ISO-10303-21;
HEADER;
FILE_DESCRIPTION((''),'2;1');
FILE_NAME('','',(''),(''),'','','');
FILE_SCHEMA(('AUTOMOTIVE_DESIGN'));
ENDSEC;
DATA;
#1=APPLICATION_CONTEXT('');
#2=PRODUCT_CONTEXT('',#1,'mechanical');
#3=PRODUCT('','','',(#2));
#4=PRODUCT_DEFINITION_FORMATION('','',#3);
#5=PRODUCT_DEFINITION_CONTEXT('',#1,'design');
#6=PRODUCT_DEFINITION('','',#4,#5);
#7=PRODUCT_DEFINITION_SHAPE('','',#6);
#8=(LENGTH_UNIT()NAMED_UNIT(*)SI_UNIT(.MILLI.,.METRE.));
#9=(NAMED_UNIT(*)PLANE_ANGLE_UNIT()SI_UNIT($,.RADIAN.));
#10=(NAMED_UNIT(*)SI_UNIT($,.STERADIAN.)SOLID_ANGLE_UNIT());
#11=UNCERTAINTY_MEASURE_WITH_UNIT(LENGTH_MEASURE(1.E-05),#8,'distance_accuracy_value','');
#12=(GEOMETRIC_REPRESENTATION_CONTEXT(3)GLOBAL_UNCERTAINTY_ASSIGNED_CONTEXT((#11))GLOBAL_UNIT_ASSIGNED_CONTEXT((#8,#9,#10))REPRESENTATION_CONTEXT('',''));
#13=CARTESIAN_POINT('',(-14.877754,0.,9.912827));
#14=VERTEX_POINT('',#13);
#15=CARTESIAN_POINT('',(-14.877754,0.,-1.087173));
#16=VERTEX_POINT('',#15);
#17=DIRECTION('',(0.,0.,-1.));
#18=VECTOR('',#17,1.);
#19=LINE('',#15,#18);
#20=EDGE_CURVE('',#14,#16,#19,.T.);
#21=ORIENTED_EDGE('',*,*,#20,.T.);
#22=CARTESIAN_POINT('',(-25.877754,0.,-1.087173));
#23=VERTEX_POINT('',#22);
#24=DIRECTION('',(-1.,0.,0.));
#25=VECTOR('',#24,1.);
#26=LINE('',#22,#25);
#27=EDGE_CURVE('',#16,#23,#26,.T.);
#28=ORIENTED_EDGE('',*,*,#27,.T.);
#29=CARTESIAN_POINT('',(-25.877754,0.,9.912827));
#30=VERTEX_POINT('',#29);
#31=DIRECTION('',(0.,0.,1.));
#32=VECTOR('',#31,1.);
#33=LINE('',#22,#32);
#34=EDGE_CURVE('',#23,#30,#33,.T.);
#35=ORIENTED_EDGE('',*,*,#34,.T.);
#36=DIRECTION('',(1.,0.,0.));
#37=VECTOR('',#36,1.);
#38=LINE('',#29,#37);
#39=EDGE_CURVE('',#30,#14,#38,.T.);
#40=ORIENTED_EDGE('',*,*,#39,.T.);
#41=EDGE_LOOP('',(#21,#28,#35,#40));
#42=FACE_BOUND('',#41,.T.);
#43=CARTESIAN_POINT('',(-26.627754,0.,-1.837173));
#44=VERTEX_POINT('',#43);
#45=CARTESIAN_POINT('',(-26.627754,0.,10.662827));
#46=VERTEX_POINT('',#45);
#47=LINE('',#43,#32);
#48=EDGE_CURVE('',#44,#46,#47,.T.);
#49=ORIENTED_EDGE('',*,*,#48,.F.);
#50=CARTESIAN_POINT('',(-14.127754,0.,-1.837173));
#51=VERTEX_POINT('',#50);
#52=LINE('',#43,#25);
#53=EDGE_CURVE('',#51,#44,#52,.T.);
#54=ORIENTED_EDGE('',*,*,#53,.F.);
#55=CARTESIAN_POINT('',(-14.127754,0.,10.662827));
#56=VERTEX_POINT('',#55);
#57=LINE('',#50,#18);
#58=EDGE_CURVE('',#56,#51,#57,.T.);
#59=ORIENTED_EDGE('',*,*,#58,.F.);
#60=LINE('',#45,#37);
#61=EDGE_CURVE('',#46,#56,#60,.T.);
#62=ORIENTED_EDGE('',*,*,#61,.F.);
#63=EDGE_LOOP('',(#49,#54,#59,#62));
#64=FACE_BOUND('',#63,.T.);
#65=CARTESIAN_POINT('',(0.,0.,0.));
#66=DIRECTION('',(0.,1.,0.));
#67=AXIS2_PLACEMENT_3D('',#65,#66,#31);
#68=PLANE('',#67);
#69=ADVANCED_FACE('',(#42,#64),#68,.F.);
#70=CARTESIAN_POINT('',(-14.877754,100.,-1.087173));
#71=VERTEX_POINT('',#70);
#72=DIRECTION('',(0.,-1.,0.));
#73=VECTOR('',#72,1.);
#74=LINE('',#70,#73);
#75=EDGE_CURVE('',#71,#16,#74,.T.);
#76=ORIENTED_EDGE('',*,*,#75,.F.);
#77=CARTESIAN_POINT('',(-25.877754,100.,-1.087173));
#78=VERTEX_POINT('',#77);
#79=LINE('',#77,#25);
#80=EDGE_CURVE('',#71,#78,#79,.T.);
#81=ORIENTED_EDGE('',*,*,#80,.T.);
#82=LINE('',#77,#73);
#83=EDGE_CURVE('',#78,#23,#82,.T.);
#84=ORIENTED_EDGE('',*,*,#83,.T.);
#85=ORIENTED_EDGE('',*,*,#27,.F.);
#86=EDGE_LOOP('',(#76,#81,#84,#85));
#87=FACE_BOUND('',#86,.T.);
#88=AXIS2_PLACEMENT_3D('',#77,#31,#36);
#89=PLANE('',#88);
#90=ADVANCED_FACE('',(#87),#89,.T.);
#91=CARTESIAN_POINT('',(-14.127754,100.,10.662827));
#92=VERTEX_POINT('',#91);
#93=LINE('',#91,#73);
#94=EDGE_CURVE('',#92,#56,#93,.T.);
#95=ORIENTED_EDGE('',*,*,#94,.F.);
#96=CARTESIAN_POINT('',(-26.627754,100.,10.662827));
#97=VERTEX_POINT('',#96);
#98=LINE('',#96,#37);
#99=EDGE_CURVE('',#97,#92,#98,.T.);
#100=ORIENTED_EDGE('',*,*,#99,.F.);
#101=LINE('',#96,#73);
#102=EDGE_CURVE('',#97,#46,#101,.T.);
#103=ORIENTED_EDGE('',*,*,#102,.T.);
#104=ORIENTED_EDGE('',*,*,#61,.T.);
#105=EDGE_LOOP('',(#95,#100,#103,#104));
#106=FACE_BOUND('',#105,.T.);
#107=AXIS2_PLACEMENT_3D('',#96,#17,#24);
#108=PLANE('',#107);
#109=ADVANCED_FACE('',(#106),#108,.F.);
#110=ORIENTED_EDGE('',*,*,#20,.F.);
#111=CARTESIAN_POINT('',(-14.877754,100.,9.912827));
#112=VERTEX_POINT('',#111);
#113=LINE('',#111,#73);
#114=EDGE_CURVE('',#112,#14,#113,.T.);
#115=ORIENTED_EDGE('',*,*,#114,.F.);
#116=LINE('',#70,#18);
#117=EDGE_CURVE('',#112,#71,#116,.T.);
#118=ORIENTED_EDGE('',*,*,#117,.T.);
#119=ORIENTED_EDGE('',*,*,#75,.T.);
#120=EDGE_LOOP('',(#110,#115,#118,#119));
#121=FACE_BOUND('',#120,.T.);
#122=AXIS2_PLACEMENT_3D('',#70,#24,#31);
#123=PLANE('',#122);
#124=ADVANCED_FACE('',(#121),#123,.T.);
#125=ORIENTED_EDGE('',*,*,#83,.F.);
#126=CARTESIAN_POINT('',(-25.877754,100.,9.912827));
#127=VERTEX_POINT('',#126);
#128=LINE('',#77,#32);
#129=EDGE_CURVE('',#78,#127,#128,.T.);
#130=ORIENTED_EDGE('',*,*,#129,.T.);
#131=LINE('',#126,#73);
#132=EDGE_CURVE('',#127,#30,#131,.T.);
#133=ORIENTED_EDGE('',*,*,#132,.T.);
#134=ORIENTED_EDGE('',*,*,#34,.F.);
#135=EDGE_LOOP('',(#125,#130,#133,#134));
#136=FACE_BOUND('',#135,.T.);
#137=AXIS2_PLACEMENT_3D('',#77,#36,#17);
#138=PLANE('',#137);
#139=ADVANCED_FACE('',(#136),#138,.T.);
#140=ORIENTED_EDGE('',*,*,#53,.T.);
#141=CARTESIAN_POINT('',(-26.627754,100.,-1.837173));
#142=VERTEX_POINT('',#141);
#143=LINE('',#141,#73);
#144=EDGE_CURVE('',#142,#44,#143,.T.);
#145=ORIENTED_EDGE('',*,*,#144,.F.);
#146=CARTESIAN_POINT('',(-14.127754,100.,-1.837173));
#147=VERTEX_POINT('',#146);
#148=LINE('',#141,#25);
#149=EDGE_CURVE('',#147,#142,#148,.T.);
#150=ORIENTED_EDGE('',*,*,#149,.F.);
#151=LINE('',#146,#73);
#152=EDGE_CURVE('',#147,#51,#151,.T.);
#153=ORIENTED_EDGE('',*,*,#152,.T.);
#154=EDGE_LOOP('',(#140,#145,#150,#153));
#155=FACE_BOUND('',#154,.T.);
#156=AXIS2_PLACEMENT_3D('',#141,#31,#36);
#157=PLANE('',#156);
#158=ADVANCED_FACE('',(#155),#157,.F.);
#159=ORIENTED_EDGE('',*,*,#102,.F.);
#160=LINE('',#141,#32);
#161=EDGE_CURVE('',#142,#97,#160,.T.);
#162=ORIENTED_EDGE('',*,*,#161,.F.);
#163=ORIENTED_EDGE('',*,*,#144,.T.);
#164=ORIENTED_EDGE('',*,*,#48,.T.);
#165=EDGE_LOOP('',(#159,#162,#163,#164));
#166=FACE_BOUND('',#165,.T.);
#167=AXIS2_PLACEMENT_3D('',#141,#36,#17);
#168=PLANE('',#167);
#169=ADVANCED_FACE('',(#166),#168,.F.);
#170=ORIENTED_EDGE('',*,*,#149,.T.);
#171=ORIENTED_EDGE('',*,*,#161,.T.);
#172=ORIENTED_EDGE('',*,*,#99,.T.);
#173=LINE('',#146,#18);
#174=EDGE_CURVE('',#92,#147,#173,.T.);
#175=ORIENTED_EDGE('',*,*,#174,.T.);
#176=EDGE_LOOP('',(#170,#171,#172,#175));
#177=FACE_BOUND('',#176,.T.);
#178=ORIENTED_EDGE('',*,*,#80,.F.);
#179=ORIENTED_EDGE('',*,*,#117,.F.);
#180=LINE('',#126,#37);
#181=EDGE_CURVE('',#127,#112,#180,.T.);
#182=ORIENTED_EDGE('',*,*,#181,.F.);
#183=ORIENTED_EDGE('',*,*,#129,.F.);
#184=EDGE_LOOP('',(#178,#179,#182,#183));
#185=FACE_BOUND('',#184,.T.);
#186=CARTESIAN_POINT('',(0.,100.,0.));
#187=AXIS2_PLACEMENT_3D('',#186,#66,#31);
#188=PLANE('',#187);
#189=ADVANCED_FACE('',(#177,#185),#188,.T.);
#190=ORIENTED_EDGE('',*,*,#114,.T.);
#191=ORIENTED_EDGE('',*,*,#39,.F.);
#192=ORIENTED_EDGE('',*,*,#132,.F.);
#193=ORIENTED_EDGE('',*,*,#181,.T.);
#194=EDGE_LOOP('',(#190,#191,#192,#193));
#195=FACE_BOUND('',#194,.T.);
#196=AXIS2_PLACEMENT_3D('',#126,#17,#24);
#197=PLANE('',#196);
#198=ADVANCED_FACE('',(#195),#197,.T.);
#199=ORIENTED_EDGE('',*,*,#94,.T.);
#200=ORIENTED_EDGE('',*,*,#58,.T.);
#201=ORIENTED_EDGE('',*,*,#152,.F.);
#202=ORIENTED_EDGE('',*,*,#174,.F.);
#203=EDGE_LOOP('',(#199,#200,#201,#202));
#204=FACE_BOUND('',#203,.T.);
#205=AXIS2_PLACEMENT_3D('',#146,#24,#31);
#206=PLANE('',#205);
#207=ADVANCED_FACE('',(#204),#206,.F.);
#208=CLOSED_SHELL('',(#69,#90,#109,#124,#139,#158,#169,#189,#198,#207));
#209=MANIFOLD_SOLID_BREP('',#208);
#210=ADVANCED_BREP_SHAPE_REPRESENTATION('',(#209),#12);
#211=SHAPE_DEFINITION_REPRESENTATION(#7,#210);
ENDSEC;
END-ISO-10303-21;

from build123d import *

# Parameters (mm, degrees)
SKETCH1_W           = 12.5
SKETCH1_H           = 12.5
SKETCH1_W_2         = 11
SKETCH1_H_2         = 11
BOSS_EXTRUDE3_DEPTH = 100


with BuildPart() as part:
    # Sketch1 → Boss-Extrude3 (new body)
    with BuildSketch(Plane(origin=(0, 0, 0), x_dir=(1, 0, 0), z_dir=(0, 1, 0))):
        with Locations((-20.377754415, -4.412827368)):
            Rectangle(SKETCH1_W, SKETCH1_H)
        with Locations((-20.377754415, -4.412827368)):
            Rectangle(SKETCH1_W_2, SKETCH1_H_2, mode=Mode.SUBTRACT)
    extrude(amount=BOSS_EXTRUDE3_DEPTH)


solid = part.part
